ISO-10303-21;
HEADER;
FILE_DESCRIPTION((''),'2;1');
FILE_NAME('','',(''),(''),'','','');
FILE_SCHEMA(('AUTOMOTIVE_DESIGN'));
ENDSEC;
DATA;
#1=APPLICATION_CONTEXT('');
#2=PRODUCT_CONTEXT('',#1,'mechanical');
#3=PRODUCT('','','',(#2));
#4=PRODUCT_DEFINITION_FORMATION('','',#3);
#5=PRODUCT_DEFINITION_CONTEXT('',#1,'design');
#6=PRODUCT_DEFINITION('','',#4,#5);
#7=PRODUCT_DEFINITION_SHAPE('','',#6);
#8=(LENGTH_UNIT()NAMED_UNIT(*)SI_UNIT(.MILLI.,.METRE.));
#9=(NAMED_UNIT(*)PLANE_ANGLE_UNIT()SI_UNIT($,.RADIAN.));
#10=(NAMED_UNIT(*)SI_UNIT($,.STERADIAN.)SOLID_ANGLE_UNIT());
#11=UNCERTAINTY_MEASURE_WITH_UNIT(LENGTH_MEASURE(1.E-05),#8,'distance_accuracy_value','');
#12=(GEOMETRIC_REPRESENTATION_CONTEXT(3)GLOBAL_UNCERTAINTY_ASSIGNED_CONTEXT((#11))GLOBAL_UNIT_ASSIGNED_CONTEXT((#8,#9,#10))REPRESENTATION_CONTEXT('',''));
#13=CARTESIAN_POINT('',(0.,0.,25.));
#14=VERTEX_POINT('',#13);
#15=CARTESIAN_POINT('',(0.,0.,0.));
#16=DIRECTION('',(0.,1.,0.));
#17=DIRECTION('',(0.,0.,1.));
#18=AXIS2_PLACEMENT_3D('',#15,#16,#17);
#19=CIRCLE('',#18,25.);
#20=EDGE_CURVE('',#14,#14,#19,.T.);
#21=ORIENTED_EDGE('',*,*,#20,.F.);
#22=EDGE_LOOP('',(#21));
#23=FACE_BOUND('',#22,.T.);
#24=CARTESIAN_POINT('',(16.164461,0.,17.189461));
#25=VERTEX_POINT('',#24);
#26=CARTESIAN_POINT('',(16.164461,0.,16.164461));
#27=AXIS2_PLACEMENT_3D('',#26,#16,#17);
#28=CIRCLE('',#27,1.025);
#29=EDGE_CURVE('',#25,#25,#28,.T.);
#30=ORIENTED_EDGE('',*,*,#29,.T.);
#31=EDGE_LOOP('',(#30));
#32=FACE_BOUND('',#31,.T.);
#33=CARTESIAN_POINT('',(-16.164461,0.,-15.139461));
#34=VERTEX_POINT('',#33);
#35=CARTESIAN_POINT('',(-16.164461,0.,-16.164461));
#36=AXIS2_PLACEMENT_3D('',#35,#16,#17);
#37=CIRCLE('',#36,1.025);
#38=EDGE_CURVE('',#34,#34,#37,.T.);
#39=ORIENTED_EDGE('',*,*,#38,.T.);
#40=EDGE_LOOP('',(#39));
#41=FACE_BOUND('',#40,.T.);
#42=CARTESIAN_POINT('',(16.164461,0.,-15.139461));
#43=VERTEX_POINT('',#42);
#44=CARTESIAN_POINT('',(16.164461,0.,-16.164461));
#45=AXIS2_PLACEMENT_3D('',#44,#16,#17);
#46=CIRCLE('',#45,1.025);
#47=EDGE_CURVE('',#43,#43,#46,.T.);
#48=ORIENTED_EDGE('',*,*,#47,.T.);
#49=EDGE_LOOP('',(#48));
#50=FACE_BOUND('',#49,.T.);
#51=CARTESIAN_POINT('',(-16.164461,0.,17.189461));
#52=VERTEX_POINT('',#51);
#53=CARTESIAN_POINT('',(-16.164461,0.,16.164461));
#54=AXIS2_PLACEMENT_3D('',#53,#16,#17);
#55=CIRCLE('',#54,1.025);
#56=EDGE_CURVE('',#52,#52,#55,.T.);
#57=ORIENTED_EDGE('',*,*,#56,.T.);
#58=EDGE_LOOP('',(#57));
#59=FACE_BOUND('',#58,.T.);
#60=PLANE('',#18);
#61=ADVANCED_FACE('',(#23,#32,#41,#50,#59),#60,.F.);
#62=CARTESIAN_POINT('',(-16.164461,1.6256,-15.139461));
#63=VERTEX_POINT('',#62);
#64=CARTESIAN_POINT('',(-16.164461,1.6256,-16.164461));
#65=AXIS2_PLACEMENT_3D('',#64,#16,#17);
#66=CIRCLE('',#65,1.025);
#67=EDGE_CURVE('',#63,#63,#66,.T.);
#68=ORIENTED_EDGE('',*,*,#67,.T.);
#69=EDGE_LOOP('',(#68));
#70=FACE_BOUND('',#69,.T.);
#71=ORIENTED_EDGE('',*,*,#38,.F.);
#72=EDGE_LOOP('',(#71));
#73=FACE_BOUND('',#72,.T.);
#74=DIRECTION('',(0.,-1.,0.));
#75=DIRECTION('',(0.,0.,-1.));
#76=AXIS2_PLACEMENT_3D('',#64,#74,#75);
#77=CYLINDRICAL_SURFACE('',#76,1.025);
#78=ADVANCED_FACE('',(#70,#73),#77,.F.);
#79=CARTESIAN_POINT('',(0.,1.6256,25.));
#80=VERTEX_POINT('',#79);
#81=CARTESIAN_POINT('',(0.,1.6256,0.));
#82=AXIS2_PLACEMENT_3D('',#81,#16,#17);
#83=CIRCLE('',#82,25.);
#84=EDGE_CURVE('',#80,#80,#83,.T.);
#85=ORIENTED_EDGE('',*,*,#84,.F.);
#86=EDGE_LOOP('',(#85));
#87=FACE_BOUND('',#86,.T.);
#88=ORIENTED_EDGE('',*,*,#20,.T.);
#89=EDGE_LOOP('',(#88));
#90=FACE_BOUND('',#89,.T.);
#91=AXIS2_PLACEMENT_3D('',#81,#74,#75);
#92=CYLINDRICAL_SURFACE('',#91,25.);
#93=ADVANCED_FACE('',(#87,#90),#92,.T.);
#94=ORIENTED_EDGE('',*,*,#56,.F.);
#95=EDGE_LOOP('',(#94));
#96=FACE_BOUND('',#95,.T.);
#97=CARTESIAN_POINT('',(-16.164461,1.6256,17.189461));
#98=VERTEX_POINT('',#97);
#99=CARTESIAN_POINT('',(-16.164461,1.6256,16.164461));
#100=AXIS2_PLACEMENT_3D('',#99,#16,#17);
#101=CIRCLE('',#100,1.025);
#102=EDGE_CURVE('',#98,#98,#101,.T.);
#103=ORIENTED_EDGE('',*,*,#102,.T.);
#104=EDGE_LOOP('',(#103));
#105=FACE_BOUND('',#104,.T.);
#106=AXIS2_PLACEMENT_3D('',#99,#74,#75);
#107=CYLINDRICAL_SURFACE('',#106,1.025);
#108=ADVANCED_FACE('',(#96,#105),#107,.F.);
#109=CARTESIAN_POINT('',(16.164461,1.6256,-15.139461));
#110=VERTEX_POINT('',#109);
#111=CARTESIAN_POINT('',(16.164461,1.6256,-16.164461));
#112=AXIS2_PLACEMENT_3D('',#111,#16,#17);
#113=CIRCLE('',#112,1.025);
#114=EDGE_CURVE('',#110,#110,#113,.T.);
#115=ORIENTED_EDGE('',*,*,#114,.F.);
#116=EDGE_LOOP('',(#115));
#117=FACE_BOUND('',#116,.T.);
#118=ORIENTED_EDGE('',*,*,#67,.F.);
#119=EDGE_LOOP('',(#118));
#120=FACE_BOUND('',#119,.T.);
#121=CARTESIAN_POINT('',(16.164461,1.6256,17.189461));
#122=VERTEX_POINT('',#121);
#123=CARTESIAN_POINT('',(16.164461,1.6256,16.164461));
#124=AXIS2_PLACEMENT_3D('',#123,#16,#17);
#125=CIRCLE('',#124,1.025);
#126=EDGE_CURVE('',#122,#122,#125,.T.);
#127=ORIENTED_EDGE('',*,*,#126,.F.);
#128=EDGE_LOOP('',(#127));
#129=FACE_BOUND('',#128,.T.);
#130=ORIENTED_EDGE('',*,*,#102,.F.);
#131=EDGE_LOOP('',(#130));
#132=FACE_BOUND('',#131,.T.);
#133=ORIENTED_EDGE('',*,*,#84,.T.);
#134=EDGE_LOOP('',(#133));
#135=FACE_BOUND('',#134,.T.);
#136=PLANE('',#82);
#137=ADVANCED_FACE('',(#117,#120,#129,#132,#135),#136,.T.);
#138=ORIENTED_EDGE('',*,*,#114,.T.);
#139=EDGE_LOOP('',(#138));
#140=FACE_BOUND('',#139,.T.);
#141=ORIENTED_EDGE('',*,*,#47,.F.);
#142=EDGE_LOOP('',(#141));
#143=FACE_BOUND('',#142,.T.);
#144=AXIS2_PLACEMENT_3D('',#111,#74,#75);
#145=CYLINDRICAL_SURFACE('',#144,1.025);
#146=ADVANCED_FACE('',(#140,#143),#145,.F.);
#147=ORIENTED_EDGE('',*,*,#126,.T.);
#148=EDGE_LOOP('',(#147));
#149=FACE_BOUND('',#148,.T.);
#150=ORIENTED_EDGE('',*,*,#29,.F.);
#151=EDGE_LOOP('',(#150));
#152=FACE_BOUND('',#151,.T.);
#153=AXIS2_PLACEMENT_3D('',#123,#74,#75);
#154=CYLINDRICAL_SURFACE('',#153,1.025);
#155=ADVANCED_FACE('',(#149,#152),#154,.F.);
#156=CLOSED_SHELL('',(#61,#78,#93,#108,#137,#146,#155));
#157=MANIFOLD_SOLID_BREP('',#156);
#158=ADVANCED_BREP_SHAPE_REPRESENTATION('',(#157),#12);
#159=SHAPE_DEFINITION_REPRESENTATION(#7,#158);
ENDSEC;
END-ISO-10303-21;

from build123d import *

# Parameters (mm, degrees)
SKETCH1_R           = 25
SKETCH1_R_2         = 1.025
BOSS_EXTRUDE1_DEPTH = 1.6256


with BuildPart() as part:
    # Sketch1 → Boss-Extrude1 (new body)
    with BuildSketch(Plane(origin=(0, 0, 0), x_dir=(1, 0, 0), z_dir=(0, 1, 0))):
        with Locations(Location((0, 0, 0), (0, 0, 270))):
            Circle(SKETCH1_R)
        with Locations(Location((16.164461018, 16.164461018, 0), (0, 0, 270))):
            Circle(SKETCH1_R_2, mode=Mode.SUBTRACT)
        with Locations(Location((16.164461018, -16.164461018, 0), (0, 0, 270))):
            Circle(SKETCH1_R_2, mode=Mode.SUBTRACT)
        with Locations(Location((-16.164461018, -16.164461018, 0), (0, 0, 270))):
            Circle(SKETCH1_R_2, mode=Mode.SUBTRACT)
        with Locations(Location((-16.164461018, 16.164461018, 0), (0, 0, 270))):
            Circle(SKETCH1_R_2, mode=Mode.SUBTRACT)
    extrude(amount=BOSS_EXTRUDE1_DEPTH)


solid = part.part
